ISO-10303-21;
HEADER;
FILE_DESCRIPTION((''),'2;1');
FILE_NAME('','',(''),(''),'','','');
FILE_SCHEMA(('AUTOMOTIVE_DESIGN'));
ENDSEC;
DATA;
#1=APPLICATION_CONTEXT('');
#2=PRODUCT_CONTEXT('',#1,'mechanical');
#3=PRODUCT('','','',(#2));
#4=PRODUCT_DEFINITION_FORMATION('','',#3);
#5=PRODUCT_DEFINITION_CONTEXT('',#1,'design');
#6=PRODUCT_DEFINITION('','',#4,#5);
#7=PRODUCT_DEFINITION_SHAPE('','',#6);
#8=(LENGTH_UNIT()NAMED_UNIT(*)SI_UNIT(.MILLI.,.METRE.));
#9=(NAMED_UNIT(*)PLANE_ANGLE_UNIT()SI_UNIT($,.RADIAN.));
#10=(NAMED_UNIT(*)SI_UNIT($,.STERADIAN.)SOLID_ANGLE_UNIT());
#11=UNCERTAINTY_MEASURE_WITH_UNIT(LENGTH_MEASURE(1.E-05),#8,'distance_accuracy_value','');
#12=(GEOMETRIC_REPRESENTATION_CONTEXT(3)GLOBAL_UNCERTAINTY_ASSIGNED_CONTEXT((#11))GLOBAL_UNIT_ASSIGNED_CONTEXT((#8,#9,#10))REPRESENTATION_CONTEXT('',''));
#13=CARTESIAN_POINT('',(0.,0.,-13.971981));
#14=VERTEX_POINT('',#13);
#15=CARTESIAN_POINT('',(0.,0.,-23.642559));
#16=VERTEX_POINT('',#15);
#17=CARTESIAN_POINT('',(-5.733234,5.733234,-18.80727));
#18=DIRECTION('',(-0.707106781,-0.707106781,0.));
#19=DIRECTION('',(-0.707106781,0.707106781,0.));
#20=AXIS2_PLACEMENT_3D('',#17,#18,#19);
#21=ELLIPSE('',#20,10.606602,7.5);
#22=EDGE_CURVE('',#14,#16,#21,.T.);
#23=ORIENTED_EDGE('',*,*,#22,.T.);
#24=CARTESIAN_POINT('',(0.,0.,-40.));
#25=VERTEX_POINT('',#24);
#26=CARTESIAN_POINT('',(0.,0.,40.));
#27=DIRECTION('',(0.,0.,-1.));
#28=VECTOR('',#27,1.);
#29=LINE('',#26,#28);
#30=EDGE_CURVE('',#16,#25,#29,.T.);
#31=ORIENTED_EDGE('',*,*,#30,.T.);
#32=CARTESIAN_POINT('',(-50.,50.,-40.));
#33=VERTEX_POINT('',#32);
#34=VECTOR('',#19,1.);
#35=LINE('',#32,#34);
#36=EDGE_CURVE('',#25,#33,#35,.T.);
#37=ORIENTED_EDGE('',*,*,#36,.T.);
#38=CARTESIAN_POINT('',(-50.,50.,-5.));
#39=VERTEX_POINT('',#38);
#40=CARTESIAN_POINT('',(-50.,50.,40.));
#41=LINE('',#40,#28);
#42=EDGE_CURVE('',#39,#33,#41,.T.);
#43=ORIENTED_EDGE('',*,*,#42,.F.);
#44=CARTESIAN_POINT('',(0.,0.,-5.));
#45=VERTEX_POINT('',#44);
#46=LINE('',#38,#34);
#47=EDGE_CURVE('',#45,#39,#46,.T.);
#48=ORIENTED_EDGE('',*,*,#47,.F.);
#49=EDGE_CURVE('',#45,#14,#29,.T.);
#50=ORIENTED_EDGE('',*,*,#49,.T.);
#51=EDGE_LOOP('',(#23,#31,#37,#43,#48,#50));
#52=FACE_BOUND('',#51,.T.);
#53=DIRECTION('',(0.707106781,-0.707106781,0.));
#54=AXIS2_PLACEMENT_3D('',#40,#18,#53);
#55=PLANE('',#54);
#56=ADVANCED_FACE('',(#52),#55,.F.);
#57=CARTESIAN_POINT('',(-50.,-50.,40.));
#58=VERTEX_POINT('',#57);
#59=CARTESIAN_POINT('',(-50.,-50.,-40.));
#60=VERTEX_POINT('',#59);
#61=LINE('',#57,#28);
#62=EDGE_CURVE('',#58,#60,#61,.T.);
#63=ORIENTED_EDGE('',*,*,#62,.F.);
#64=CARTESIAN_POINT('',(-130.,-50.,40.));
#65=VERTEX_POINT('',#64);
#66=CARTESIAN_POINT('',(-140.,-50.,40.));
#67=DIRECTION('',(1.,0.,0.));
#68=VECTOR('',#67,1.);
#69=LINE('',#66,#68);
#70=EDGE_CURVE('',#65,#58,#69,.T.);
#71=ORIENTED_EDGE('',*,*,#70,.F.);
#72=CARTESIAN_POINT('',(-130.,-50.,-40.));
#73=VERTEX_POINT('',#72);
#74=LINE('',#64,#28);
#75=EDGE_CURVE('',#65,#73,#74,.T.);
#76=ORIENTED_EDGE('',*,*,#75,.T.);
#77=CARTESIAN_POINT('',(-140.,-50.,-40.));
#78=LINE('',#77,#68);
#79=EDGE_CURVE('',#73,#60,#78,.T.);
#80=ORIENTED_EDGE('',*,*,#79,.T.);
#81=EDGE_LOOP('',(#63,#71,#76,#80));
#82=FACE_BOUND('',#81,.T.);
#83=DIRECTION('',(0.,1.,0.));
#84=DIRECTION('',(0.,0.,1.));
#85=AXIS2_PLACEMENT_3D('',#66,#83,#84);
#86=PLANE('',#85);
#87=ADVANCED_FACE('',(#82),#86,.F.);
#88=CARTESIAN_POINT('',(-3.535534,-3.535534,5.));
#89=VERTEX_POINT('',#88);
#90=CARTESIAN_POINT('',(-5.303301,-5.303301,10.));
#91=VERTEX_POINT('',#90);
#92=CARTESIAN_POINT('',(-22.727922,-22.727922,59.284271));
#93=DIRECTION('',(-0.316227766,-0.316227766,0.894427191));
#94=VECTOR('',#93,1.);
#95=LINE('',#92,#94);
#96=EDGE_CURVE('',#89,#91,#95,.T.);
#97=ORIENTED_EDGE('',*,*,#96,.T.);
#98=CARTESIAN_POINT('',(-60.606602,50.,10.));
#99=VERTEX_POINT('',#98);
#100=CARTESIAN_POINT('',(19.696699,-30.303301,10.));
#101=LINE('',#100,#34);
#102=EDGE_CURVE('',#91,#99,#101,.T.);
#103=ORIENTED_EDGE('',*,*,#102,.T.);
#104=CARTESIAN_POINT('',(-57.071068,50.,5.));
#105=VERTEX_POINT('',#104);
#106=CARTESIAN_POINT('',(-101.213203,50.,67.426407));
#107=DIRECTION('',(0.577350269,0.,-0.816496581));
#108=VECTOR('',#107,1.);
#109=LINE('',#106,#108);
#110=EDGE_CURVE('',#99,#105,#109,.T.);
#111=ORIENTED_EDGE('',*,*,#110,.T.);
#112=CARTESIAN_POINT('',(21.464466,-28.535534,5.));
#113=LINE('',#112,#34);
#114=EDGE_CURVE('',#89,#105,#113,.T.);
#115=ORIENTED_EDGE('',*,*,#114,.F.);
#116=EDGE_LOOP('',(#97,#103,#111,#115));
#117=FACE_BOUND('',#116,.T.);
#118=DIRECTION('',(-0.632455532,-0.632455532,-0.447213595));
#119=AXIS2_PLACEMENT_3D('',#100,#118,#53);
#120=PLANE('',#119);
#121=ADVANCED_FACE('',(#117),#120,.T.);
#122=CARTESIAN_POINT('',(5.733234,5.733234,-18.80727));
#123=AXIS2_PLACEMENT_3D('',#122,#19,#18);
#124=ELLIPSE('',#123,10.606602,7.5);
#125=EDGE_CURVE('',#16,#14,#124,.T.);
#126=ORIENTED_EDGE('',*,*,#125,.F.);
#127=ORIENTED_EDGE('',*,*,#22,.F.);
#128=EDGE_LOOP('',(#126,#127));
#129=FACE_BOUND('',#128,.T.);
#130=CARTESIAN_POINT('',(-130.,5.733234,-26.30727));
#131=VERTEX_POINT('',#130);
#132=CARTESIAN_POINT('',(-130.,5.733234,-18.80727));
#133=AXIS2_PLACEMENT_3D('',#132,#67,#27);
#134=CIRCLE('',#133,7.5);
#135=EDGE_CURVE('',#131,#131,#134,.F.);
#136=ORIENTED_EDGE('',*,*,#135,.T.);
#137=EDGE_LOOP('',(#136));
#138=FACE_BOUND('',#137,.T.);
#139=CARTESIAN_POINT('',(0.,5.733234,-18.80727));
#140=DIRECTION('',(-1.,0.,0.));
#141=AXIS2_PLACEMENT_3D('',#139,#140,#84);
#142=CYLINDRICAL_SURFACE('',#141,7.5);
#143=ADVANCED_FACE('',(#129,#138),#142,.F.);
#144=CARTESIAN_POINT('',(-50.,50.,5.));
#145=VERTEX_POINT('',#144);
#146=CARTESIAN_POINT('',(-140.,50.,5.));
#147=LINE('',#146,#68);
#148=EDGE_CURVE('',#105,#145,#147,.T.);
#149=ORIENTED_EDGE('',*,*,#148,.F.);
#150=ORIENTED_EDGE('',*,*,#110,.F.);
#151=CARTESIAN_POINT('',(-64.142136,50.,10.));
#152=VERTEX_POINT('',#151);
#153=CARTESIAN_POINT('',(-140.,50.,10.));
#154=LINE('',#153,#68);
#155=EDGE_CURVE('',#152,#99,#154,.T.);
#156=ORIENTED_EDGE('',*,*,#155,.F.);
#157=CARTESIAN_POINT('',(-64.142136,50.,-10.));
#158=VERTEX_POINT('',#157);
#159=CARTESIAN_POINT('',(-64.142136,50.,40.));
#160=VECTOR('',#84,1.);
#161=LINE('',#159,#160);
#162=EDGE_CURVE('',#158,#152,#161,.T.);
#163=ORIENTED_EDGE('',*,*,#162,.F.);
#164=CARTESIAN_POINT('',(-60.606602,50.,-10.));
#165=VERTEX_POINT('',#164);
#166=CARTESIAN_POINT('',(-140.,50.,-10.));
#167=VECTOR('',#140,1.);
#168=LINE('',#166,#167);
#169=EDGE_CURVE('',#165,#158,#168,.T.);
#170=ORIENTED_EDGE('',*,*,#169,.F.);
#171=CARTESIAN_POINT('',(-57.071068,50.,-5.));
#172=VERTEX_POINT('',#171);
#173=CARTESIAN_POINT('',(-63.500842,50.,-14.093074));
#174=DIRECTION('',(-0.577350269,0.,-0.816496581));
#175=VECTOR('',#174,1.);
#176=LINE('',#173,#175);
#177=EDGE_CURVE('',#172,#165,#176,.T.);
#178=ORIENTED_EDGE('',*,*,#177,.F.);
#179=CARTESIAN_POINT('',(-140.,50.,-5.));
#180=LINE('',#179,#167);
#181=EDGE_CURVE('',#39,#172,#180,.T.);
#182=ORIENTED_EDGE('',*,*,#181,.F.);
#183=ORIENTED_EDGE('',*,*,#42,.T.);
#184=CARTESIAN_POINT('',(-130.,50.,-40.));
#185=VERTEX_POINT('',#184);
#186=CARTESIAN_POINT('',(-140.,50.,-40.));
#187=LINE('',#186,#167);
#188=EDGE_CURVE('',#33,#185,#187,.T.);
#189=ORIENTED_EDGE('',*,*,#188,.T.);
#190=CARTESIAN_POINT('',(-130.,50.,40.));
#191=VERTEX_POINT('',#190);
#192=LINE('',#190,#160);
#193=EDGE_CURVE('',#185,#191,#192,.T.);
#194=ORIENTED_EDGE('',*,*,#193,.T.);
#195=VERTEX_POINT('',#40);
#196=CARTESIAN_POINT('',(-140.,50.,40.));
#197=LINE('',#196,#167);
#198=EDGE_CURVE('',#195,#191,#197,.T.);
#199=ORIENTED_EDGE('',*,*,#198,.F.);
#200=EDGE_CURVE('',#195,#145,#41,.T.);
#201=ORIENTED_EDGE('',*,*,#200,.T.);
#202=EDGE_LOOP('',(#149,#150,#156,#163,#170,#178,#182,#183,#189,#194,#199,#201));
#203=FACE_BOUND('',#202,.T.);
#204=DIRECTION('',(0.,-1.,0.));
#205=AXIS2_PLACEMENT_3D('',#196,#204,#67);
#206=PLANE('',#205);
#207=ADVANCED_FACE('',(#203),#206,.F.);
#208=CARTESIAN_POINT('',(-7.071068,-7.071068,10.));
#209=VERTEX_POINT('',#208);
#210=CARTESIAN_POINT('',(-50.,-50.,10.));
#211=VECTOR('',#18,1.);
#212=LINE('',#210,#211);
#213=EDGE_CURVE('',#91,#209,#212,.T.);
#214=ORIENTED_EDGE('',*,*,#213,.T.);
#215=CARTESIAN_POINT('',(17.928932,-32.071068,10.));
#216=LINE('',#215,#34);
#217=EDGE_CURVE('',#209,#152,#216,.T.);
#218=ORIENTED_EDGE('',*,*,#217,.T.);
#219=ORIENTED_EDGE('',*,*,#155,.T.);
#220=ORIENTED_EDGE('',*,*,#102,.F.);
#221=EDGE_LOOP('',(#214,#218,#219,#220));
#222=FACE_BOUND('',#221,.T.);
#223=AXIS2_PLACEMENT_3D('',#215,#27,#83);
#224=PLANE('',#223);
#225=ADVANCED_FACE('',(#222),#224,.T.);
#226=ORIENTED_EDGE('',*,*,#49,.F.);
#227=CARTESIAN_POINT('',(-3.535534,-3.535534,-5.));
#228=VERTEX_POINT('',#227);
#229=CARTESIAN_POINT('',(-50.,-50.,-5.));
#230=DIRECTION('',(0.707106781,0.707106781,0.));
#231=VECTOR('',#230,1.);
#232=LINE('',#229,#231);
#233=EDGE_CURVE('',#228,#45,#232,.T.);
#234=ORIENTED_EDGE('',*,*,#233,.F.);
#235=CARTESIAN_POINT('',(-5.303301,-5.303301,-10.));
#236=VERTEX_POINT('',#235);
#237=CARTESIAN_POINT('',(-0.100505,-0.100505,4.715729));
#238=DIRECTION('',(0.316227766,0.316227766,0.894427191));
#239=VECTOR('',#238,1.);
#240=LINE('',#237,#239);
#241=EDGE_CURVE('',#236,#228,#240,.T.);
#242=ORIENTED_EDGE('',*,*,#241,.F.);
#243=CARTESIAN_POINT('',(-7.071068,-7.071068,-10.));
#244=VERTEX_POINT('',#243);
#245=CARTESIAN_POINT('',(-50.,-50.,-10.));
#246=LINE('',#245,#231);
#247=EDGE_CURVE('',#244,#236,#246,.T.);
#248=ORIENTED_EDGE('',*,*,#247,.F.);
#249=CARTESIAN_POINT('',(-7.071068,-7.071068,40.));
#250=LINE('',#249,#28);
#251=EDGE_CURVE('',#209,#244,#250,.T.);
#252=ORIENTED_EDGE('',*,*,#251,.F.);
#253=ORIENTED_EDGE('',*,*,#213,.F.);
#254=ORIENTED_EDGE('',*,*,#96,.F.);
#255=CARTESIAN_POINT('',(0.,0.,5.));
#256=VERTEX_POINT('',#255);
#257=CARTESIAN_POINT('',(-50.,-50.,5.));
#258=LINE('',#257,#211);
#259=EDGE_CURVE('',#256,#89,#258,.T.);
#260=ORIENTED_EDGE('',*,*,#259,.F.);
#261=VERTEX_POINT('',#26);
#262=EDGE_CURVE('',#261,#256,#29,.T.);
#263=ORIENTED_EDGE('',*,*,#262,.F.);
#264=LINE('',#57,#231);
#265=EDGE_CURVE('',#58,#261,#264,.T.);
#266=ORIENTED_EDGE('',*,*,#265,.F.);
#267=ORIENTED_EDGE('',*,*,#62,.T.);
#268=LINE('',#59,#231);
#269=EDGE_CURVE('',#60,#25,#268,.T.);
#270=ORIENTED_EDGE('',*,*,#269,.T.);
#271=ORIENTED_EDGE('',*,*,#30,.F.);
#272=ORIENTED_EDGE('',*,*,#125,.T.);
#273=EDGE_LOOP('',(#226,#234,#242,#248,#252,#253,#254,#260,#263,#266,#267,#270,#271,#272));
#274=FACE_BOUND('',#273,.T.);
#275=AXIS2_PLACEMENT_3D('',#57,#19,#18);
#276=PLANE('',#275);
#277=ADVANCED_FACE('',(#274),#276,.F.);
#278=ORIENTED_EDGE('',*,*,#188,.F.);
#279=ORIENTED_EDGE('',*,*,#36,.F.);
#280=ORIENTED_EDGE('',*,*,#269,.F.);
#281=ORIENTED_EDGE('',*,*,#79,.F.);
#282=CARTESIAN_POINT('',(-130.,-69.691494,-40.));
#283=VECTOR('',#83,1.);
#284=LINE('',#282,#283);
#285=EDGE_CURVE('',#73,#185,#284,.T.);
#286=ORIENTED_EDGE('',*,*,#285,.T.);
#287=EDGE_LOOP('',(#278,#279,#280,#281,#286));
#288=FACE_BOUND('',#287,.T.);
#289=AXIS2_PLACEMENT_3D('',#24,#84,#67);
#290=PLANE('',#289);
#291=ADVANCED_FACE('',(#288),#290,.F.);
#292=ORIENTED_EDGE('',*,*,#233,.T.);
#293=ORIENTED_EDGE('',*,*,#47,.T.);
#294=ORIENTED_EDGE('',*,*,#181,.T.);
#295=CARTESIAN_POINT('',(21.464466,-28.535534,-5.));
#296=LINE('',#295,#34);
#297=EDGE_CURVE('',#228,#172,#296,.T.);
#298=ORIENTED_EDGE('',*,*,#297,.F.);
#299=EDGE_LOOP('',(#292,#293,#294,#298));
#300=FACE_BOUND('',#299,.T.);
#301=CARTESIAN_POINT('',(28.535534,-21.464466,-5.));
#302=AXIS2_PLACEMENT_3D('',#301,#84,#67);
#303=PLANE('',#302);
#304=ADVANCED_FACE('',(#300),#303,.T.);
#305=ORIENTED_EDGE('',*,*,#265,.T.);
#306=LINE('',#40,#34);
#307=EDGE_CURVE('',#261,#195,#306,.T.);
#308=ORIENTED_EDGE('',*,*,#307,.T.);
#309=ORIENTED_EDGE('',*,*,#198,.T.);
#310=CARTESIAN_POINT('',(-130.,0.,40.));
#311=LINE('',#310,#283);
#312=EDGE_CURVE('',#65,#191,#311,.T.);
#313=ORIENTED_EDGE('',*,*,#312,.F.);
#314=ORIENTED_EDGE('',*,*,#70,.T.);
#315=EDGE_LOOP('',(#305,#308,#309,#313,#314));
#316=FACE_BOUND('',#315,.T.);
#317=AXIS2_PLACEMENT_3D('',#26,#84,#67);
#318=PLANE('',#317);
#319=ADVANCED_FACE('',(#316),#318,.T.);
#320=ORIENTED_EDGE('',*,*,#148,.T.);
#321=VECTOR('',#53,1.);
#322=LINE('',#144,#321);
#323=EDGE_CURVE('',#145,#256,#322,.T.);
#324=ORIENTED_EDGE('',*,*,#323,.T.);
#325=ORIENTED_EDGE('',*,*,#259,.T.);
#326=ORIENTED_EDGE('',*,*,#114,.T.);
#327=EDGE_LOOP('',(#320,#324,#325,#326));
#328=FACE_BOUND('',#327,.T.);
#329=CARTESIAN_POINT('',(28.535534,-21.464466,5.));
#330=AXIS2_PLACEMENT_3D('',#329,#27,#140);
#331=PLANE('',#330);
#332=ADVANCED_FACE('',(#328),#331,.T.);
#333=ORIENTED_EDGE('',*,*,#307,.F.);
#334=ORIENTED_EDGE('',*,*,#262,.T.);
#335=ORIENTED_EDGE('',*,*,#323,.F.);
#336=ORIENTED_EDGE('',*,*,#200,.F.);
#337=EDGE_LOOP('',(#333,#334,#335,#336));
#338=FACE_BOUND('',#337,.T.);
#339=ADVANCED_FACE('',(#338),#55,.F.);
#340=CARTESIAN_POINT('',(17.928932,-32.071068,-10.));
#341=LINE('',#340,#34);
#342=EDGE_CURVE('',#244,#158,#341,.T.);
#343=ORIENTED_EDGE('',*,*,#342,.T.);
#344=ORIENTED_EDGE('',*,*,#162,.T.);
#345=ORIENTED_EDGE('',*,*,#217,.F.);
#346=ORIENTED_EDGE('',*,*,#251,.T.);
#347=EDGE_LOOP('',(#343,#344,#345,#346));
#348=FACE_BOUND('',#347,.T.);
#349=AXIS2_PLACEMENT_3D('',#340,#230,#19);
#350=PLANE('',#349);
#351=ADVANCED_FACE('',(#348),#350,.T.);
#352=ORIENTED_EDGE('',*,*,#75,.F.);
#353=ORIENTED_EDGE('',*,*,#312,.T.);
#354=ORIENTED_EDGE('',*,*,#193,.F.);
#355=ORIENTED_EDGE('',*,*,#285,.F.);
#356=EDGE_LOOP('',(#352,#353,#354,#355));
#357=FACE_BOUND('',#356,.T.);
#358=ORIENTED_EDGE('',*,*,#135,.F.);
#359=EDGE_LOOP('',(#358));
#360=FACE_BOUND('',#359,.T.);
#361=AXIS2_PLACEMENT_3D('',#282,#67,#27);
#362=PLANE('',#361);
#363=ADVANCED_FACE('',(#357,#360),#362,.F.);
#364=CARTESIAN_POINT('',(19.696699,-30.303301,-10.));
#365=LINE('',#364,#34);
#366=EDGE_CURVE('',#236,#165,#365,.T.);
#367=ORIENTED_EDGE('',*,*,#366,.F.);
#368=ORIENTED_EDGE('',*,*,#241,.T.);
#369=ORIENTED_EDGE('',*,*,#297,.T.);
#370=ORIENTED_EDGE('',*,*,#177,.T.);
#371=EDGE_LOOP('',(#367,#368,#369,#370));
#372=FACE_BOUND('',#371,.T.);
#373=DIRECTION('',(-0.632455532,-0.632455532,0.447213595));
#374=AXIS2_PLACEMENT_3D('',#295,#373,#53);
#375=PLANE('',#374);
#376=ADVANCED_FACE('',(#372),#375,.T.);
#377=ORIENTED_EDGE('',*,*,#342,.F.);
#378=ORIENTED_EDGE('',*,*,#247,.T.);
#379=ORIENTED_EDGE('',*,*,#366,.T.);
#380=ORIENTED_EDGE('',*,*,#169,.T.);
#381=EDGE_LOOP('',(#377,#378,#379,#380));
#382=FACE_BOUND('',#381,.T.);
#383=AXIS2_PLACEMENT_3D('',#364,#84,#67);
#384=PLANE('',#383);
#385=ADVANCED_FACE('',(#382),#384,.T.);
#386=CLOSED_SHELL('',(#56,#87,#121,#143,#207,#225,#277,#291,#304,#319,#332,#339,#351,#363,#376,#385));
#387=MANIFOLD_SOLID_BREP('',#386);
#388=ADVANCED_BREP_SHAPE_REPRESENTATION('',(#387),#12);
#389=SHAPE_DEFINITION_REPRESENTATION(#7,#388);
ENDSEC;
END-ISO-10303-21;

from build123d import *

# Parameters (mm, degrees)
EXTRUDE_1_DEPTH          = 40
SKETCH_2_R               = 7.5
CUT_EXTRUDE_1_DEPTH      = 154.948043183
CUT_EXTRUDE_2_DEPTH      = 141.356688476
CUT_EXTRUDE_2_DEPTH_BACK = 141.356688476
CUT_EXTRUDE_3_DEPTH      = 169.819430161
CUT_EXTRUDE_3_DEPTH_BACK = 169.819430161
SKETCH_4_W               = 39.056064152
SKETCH_4_H               = 128.107121435


with BuildPart() as part:
    # 草图1 → 凸台-拉伸1 (new, symmetric)
    with BuildSketch(Plane.XY):
        Polygon((-140, 50), (-140, -50), (-50, -50), (0, 0), (-50, 50), align=None)
    extrude(amount=EXTRUDE_1_DEPTH, both=True)

    # 草图2 → 切除-拉伸1 (cut, through all)
    with BuildSketch(Plane.ZY.offset(140)):
        with Locations((-18.807269804, 5.733234466)):
            Circle(SKETCH_2_R)
    extrude(amount=-CUT_EXTRUDE_1_DEPTH, mode=Mode.SUBTRACT)

    # 草图3 → 切除-拉伸2 (cut, two sides: drawn at the far end of the back side and taken through both)
    with BuildSketch(Plane(origin=(-50, 50, 0), x_dir=(0, 0, -1), z_dir=(0.7071067811865509, -0.7071067811865441, 0)).offset(-CUT_EXTRUDE_2_DEPTH_BACK)):
        Polygon((5, 5), (-5, 5), (-5, -5), (-10, -7.5), (-10, -10), (10, -10), (10, -7.5), (5, -5), align=None)
    extrude(amount=CUT_EXTRUDE_2_DEPTH + CUT_EXTRUDE_2_DEPTH_BACK, mode=Mode.SUBTRACT)

    # 草图4 → 切除-拉伸3 (cut, two sides: drawn at the far end of the back side and taken through both)
    with BuildSketch(Plane.XY.offset(40).offset(-CUT_EXTRUDE_3_DEPTH_BACK)):
        with Locations((-149.528032076, -5.637932913)):
            Rectangle(SKETCH_4_W, SKETCH_4_H)
    extrude(amount=CUT_EXTRUDE_3_DEPTH + CUT_EXTRUDE_3_DEPTH_BACK, mode=Mode.SUBTRACT)


solid = part.part
